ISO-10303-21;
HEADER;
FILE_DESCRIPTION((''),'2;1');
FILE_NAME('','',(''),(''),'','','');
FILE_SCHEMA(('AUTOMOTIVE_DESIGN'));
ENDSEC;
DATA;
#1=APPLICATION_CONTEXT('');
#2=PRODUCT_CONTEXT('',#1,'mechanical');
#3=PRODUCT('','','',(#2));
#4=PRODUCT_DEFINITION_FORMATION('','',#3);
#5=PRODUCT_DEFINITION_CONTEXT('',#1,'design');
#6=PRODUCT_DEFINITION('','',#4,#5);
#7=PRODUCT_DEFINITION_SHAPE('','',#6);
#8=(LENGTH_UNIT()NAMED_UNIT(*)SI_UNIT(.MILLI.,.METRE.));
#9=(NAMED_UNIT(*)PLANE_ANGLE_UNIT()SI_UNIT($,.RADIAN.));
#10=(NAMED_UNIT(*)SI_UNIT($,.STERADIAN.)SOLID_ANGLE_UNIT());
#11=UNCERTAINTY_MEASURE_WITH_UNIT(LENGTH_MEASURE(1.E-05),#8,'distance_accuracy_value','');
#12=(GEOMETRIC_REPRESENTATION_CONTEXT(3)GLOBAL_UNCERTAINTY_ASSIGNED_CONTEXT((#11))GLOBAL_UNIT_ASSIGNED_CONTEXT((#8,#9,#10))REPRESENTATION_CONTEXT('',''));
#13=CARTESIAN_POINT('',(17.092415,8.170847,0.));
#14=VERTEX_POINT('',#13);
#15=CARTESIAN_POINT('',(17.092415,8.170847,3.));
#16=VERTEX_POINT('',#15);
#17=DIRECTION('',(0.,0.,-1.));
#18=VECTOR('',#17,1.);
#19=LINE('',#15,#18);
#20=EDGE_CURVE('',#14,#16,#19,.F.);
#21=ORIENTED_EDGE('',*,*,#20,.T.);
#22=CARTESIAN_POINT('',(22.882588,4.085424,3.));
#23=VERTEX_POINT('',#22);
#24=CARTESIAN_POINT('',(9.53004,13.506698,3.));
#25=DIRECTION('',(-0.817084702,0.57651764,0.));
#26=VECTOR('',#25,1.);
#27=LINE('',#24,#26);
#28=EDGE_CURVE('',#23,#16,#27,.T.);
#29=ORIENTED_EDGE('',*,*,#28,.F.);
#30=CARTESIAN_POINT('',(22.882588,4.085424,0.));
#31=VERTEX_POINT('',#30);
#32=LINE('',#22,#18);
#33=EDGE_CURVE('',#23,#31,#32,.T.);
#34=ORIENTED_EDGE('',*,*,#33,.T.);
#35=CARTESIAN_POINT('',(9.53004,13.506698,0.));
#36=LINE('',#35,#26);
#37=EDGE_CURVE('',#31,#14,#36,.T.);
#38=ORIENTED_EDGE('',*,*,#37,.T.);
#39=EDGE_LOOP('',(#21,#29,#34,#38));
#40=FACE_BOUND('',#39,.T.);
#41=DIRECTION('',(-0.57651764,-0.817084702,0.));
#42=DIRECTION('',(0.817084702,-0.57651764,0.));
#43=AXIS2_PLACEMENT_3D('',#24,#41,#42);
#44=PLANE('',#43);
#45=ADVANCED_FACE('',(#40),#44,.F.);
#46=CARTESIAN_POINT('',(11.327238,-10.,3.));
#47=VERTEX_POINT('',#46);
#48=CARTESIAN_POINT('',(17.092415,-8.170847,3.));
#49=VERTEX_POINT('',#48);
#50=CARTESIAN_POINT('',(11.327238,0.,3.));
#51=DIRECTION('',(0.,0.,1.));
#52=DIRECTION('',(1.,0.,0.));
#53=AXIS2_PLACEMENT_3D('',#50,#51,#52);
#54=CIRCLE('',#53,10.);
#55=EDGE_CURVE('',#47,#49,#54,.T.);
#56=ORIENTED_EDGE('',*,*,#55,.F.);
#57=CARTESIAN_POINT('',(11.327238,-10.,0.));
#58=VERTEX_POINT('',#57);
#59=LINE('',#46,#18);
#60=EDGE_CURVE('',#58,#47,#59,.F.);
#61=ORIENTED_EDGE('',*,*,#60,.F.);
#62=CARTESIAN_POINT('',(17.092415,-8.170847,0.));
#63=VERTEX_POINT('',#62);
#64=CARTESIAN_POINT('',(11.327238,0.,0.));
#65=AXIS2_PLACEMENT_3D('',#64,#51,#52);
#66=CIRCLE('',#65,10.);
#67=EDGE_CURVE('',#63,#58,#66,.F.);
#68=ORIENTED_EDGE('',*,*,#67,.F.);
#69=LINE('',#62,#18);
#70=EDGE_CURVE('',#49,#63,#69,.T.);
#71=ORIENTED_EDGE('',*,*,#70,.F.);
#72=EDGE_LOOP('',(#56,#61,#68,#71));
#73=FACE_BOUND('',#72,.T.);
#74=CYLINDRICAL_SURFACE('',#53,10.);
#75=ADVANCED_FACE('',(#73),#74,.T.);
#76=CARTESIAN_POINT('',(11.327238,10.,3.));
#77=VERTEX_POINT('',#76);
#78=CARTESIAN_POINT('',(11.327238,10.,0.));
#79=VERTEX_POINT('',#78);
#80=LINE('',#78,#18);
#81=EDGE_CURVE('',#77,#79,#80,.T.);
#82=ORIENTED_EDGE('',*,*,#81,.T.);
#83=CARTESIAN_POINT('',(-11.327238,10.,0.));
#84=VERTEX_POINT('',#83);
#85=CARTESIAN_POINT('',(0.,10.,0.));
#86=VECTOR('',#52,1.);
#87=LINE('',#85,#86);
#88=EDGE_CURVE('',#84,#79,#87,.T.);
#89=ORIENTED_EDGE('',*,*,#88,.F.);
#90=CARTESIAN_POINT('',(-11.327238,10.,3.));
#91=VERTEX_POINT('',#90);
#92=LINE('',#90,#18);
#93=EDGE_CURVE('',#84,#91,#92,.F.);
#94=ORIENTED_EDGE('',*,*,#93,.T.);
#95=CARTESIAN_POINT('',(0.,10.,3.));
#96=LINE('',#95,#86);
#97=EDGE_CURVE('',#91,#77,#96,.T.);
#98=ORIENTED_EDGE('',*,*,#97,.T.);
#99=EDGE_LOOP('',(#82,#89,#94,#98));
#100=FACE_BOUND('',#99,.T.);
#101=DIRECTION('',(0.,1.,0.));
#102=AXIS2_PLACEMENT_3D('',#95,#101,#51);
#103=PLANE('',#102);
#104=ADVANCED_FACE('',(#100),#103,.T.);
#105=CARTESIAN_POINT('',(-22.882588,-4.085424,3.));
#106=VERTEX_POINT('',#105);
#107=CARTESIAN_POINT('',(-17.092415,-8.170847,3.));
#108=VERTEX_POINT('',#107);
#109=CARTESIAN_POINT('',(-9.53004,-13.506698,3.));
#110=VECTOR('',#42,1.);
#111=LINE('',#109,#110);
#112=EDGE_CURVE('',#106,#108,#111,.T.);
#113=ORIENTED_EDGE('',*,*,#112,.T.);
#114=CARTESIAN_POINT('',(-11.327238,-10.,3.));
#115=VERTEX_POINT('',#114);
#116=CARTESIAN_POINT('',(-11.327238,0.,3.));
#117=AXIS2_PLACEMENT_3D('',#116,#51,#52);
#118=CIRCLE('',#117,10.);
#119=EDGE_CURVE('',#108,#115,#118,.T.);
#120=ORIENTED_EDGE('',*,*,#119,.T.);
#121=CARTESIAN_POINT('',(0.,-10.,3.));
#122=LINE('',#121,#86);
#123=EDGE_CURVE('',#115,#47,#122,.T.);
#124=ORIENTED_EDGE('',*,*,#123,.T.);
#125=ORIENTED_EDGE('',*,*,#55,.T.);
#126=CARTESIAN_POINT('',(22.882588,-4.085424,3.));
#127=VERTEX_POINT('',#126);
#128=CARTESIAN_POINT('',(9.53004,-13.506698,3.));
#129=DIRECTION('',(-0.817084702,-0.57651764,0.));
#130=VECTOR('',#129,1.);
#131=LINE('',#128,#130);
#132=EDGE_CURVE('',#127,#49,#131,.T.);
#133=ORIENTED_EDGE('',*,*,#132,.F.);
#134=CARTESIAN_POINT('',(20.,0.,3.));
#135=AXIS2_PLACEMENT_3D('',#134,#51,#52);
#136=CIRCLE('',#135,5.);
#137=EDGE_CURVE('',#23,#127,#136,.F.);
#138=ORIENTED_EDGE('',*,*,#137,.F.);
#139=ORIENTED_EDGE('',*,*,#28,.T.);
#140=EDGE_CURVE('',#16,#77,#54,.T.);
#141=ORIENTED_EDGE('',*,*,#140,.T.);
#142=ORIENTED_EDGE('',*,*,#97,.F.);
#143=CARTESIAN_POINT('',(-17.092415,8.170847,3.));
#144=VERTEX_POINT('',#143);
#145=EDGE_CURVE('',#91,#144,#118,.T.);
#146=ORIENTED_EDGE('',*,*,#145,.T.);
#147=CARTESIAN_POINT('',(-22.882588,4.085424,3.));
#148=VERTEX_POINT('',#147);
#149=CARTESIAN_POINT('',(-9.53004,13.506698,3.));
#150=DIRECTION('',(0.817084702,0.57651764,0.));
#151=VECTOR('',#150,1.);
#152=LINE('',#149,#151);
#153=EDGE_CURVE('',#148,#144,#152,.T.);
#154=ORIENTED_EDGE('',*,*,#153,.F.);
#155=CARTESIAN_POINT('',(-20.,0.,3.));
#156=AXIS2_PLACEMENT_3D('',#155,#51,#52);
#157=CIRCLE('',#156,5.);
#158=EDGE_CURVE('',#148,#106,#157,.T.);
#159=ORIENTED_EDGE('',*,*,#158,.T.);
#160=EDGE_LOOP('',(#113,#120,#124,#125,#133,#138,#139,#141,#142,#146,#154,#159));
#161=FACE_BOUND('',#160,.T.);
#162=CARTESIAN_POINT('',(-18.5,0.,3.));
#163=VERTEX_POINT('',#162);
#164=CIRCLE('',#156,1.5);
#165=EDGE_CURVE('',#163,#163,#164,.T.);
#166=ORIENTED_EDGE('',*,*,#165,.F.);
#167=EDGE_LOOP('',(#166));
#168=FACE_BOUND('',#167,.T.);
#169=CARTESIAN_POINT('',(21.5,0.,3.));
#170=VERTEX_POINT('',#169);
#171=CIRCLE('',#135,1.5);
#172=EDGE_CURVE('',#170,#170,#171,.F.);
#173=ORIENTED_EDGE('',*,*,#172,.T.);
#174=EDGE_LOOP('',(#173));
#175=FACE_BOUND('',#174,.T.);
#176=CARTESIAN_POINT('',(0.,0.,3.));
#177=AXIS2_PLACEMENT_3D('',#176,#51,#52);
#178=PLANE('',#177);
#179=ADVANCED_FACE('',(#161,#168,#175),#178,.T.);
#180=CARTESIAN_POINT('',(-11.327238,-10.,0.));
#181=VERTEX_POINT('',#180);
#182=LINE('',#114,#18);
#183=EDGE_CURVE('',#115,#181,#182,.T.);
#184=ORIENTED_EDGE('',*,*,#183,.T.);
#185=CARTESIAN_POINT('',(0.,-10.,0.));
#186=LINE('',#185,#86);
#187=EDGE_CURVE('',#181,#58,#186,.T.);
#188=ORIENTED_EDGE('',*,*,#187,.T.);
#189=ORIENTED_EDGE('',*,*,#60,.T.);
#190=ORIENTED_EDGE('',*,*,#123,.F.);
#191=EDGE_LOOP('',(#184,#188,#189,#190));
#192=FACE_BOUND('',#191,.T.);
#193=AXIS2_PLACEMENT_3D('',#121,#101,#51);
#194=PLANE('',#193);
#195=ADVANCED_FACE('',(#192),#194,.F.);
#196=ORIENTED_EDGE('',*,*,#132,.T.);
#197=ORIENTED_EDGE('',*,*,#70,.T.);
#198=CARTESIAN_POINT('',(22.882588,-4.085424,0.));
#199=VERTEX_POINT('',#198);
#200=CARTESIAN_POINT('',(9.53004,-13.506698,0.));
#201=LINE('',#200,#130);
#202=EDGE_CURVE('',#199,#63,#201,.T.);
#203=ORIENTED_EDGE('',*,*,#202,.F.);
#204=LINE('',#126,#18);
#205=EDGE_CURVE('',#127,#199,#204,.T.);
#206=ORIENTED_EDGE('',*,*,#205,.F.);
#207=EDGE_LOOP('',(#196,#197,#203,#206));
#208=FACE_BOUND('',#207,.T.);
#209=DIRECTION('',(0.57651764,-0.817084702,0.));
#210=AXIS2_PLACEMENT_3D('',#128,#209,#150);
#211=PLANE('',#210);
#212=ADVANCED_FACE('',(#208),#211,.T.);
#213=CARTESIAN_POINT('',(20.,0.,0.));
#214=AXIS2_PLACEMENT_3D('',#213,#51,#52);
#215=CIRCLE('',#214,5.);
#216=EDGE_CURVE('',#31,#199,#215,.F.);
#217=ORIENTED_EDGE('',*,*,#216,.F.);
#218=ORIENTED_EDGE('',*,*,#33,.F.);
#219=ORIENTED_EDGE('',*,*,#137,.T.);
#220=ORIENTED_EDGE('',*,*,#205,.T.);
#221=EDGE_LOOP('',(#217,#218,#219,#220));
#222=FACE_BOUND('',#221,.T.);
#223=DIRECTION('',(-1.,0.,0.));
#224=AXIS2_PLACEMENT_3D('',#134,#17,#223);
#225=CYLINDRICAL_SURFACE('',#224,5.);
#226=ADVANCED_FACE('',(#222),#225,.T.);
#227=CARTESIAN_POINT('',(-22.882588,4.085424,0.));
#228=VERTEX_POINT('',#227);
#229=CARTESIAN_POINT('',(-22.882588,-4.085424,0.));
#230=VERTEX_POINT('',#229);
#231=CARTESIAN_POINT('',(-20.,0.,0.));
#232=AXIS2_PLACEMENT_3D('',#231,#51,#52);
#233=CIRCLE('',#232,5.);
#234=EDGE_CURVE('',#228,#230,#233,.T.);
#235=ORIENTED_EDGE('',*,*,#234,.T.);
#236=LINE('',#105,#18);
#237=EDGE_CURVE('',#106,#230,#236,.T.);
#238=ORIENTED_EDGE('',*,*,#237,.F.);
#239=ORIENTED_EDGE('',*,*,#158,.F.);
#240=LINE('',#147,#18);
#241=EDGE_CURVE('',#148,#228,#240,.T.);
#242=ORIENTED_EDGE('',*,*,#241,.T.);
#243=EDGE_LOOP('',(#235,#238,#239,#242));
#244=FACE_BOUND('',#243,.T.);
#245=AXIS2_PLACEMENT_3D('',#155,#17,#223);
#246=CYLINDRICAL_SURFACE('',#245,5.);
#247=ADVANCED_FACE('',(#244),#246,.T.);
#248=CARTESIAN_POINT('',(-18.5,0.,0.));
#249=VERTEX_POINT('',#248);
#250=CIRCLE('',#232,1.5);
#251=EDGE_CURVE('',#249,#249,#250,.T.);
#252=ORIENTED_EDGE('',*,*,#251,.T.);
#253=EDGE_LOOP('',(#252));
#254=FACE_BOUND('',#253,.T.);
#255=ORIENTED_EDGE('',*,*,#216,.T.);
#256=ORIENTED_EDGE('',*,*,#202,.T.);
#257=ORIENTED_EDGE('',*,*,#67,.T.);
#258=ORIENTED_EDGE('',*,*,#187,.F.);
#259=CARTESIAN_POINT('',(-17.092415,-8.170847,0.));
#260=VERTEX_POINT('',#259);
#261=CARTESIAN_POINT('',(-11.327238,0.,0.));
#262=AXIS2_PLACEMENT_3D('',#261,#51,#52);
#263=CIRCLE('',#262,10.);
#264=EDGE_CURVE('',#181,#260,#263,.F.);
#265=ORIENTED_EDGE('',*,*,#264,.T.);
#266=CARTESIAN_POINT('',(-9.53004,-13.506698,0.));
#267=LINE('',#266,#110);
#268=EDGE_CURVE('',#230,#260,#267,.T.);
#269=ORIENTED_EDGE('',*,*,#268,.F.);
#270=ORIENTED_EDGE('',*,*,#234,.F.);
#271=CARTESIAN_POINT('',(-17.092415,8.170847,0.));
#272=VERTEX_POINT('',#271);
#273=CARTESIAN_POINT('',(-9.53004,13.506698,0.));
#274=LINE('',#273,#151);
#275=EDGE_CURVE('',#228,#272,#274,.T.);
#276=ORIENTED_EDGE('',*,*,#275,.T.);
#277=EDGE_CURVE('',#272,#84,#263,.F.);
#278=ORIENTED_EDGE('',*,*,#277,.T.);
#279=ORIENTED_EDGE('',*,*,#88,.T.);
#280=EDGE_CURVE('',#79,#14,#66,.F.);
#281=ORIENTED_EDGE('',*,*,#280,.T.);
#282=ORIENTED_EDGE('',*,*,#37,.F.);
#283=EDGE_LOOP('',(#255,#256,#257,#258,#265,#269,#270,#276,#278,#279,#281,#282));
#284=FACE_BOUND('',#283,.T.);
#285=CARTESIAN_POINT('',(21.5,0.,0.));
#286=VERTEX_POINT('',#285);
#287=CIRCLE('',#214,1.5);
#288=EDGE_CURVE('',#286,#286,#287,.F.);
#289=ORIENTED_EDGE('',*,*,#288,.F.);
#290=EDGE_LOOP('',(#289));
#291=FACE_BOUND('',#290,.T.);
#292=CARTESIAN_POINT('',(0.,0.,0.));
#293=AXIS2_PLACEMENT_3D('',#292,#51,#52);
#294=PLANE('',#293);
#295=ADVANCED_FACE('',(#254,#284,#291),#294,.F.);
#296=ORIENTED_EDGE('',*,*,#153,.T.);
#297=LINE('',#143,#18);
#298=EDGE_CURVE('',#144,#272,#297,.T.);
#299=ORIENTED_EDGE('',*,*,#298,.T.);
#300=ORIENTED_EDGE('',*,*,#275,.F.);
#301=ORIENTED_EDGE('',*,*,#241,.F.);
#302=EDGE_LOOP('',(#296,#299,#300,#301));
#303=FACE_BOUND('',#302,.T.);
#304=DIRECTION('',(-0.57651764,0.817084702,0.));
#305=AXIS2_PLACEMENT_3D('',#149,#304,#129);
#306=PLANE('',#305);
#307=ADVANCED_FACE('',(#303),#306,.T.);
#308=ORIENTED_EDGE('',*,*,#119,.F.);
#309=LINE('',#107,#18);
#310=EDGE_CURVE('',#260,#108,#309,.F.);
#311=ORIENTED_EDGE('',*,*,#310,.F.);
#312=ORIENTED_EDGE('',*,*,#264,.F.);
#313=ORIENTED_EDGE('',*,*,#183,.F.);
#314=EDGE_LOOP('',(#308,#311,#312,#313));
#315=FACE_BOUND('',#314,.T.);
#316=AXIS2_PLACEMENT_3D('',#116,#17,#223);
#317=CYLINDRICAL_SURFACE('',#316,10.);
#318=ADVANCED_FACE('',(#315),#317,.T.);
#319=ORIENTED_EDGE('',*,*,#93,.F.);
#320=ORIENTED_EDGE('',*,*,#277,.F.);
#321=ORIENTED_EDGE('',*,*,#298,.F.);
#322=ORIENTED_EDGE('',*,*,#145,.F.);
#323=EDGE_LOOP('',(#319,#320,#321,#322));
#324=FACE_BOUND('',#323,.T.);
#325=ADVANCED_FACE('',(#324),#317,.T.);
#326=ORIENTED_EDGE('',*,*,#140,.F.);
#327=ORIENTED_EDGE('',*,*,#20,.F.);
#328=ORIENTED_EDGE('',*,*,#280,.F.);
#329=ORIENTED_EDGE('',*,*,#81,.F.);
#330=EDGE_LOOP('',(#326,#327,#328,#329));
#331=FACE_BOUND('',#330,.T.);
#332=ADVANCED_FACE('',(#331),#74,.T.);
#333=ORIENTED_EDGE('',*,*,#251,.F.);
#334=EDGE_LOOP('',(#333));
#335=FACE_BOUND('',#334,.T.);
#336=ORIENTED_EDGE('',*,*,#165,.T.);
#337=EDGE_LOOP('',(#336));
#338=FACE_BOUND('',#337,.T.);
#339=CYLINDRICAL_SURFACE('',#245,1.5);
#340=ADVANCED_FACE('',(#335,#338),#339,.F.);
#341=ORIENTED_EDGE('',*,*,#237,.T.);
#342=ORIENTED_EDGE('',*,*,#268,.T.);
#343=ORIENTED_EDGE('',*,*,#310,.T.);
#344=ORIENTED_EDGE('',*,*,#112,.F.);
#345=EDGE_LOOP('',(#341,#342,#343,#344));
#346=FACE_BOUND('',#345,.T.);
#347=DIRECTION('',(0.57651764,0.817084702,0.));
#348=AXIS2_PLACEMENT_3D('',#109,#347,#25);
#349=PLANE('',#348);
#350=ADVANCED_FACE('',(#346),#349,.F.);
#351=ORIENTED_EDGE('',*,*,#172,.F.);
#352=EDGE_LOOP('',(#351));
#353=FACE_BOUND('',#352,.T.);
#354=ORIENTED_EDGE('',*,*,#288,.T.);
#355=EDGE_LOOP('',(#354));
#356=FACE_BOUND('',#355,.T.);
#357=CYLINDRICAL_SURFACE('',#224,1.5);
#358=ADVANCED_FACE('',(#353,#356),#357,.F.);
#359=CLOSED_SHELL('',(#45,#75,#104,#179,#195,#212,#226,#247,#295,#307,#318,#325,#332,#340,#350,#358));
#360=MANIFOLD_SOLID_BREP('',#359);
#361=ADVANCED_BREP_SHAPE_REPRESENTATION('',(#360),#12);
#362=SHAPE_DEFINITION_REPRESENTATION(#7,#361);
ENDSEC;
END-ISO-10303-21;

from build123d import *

# Parameters (mm, degrees)
ESBO_O1_R                = 1.5
ESBO_O1_W                = 29
ESBO_O1_H                = 20
RESSALTO_EXTRUS_O1_DEPTH = 3
FILETE1_R                = 10


with BuildPart() as part:
    # Esboço1 → Ressalto-extrusão1 (new body)
    with BuildSketch(Plane.XY):
        with BuildLine():
            Line((-22.882588201, 4.085423511), (-14.5, 10))
            Line((-14.5, 10), (-14.5, -10))
            Line((-14.5, -10), (-22.882588201, -4.085423511))
            ThreePointArc((-22.882588201, -4.085423511), (-25, 0), (-22.882588201, 4.085423511))
        make_face()
        with Locations((-20, 0)):
            Circle(ESBO_O1_R, mode=Mode.SUBTRACT)
        Rectangle(ESBO_O1_W, ESBO_O1_H)
        with BuildLine():
            ThreePointArc((22.882588201, 4.085423511), (25, 0), (22.882588201, -4.085423511))
            Line((22.882588201, -4.085423511), (14.5, -10))
            Line((14.5, -10), (14.5, 10))
            Line((14.5, 10), (22.882588201, 4.085423511))
        make_face()
        with Locations((20, 0)):
            Circle(ESBO_O1_R, mode=Mode.SUBTRACT)
    extrude(amount=RESSALTO_EXTRUS_O1_DEPTH)

    # Filete1
    filete1_edges = [part.edges().sort_by_distance(p)[0] for p in [
        (-14.5, 10, 1.5),
        (14.5, 10, 1.5),
        (14.5, -10, 1.5),
        (-14.5, -10, 1.5),
    ]]
    fillet(filete1_edges, radius=FILETE1_R)


solid = part.part
